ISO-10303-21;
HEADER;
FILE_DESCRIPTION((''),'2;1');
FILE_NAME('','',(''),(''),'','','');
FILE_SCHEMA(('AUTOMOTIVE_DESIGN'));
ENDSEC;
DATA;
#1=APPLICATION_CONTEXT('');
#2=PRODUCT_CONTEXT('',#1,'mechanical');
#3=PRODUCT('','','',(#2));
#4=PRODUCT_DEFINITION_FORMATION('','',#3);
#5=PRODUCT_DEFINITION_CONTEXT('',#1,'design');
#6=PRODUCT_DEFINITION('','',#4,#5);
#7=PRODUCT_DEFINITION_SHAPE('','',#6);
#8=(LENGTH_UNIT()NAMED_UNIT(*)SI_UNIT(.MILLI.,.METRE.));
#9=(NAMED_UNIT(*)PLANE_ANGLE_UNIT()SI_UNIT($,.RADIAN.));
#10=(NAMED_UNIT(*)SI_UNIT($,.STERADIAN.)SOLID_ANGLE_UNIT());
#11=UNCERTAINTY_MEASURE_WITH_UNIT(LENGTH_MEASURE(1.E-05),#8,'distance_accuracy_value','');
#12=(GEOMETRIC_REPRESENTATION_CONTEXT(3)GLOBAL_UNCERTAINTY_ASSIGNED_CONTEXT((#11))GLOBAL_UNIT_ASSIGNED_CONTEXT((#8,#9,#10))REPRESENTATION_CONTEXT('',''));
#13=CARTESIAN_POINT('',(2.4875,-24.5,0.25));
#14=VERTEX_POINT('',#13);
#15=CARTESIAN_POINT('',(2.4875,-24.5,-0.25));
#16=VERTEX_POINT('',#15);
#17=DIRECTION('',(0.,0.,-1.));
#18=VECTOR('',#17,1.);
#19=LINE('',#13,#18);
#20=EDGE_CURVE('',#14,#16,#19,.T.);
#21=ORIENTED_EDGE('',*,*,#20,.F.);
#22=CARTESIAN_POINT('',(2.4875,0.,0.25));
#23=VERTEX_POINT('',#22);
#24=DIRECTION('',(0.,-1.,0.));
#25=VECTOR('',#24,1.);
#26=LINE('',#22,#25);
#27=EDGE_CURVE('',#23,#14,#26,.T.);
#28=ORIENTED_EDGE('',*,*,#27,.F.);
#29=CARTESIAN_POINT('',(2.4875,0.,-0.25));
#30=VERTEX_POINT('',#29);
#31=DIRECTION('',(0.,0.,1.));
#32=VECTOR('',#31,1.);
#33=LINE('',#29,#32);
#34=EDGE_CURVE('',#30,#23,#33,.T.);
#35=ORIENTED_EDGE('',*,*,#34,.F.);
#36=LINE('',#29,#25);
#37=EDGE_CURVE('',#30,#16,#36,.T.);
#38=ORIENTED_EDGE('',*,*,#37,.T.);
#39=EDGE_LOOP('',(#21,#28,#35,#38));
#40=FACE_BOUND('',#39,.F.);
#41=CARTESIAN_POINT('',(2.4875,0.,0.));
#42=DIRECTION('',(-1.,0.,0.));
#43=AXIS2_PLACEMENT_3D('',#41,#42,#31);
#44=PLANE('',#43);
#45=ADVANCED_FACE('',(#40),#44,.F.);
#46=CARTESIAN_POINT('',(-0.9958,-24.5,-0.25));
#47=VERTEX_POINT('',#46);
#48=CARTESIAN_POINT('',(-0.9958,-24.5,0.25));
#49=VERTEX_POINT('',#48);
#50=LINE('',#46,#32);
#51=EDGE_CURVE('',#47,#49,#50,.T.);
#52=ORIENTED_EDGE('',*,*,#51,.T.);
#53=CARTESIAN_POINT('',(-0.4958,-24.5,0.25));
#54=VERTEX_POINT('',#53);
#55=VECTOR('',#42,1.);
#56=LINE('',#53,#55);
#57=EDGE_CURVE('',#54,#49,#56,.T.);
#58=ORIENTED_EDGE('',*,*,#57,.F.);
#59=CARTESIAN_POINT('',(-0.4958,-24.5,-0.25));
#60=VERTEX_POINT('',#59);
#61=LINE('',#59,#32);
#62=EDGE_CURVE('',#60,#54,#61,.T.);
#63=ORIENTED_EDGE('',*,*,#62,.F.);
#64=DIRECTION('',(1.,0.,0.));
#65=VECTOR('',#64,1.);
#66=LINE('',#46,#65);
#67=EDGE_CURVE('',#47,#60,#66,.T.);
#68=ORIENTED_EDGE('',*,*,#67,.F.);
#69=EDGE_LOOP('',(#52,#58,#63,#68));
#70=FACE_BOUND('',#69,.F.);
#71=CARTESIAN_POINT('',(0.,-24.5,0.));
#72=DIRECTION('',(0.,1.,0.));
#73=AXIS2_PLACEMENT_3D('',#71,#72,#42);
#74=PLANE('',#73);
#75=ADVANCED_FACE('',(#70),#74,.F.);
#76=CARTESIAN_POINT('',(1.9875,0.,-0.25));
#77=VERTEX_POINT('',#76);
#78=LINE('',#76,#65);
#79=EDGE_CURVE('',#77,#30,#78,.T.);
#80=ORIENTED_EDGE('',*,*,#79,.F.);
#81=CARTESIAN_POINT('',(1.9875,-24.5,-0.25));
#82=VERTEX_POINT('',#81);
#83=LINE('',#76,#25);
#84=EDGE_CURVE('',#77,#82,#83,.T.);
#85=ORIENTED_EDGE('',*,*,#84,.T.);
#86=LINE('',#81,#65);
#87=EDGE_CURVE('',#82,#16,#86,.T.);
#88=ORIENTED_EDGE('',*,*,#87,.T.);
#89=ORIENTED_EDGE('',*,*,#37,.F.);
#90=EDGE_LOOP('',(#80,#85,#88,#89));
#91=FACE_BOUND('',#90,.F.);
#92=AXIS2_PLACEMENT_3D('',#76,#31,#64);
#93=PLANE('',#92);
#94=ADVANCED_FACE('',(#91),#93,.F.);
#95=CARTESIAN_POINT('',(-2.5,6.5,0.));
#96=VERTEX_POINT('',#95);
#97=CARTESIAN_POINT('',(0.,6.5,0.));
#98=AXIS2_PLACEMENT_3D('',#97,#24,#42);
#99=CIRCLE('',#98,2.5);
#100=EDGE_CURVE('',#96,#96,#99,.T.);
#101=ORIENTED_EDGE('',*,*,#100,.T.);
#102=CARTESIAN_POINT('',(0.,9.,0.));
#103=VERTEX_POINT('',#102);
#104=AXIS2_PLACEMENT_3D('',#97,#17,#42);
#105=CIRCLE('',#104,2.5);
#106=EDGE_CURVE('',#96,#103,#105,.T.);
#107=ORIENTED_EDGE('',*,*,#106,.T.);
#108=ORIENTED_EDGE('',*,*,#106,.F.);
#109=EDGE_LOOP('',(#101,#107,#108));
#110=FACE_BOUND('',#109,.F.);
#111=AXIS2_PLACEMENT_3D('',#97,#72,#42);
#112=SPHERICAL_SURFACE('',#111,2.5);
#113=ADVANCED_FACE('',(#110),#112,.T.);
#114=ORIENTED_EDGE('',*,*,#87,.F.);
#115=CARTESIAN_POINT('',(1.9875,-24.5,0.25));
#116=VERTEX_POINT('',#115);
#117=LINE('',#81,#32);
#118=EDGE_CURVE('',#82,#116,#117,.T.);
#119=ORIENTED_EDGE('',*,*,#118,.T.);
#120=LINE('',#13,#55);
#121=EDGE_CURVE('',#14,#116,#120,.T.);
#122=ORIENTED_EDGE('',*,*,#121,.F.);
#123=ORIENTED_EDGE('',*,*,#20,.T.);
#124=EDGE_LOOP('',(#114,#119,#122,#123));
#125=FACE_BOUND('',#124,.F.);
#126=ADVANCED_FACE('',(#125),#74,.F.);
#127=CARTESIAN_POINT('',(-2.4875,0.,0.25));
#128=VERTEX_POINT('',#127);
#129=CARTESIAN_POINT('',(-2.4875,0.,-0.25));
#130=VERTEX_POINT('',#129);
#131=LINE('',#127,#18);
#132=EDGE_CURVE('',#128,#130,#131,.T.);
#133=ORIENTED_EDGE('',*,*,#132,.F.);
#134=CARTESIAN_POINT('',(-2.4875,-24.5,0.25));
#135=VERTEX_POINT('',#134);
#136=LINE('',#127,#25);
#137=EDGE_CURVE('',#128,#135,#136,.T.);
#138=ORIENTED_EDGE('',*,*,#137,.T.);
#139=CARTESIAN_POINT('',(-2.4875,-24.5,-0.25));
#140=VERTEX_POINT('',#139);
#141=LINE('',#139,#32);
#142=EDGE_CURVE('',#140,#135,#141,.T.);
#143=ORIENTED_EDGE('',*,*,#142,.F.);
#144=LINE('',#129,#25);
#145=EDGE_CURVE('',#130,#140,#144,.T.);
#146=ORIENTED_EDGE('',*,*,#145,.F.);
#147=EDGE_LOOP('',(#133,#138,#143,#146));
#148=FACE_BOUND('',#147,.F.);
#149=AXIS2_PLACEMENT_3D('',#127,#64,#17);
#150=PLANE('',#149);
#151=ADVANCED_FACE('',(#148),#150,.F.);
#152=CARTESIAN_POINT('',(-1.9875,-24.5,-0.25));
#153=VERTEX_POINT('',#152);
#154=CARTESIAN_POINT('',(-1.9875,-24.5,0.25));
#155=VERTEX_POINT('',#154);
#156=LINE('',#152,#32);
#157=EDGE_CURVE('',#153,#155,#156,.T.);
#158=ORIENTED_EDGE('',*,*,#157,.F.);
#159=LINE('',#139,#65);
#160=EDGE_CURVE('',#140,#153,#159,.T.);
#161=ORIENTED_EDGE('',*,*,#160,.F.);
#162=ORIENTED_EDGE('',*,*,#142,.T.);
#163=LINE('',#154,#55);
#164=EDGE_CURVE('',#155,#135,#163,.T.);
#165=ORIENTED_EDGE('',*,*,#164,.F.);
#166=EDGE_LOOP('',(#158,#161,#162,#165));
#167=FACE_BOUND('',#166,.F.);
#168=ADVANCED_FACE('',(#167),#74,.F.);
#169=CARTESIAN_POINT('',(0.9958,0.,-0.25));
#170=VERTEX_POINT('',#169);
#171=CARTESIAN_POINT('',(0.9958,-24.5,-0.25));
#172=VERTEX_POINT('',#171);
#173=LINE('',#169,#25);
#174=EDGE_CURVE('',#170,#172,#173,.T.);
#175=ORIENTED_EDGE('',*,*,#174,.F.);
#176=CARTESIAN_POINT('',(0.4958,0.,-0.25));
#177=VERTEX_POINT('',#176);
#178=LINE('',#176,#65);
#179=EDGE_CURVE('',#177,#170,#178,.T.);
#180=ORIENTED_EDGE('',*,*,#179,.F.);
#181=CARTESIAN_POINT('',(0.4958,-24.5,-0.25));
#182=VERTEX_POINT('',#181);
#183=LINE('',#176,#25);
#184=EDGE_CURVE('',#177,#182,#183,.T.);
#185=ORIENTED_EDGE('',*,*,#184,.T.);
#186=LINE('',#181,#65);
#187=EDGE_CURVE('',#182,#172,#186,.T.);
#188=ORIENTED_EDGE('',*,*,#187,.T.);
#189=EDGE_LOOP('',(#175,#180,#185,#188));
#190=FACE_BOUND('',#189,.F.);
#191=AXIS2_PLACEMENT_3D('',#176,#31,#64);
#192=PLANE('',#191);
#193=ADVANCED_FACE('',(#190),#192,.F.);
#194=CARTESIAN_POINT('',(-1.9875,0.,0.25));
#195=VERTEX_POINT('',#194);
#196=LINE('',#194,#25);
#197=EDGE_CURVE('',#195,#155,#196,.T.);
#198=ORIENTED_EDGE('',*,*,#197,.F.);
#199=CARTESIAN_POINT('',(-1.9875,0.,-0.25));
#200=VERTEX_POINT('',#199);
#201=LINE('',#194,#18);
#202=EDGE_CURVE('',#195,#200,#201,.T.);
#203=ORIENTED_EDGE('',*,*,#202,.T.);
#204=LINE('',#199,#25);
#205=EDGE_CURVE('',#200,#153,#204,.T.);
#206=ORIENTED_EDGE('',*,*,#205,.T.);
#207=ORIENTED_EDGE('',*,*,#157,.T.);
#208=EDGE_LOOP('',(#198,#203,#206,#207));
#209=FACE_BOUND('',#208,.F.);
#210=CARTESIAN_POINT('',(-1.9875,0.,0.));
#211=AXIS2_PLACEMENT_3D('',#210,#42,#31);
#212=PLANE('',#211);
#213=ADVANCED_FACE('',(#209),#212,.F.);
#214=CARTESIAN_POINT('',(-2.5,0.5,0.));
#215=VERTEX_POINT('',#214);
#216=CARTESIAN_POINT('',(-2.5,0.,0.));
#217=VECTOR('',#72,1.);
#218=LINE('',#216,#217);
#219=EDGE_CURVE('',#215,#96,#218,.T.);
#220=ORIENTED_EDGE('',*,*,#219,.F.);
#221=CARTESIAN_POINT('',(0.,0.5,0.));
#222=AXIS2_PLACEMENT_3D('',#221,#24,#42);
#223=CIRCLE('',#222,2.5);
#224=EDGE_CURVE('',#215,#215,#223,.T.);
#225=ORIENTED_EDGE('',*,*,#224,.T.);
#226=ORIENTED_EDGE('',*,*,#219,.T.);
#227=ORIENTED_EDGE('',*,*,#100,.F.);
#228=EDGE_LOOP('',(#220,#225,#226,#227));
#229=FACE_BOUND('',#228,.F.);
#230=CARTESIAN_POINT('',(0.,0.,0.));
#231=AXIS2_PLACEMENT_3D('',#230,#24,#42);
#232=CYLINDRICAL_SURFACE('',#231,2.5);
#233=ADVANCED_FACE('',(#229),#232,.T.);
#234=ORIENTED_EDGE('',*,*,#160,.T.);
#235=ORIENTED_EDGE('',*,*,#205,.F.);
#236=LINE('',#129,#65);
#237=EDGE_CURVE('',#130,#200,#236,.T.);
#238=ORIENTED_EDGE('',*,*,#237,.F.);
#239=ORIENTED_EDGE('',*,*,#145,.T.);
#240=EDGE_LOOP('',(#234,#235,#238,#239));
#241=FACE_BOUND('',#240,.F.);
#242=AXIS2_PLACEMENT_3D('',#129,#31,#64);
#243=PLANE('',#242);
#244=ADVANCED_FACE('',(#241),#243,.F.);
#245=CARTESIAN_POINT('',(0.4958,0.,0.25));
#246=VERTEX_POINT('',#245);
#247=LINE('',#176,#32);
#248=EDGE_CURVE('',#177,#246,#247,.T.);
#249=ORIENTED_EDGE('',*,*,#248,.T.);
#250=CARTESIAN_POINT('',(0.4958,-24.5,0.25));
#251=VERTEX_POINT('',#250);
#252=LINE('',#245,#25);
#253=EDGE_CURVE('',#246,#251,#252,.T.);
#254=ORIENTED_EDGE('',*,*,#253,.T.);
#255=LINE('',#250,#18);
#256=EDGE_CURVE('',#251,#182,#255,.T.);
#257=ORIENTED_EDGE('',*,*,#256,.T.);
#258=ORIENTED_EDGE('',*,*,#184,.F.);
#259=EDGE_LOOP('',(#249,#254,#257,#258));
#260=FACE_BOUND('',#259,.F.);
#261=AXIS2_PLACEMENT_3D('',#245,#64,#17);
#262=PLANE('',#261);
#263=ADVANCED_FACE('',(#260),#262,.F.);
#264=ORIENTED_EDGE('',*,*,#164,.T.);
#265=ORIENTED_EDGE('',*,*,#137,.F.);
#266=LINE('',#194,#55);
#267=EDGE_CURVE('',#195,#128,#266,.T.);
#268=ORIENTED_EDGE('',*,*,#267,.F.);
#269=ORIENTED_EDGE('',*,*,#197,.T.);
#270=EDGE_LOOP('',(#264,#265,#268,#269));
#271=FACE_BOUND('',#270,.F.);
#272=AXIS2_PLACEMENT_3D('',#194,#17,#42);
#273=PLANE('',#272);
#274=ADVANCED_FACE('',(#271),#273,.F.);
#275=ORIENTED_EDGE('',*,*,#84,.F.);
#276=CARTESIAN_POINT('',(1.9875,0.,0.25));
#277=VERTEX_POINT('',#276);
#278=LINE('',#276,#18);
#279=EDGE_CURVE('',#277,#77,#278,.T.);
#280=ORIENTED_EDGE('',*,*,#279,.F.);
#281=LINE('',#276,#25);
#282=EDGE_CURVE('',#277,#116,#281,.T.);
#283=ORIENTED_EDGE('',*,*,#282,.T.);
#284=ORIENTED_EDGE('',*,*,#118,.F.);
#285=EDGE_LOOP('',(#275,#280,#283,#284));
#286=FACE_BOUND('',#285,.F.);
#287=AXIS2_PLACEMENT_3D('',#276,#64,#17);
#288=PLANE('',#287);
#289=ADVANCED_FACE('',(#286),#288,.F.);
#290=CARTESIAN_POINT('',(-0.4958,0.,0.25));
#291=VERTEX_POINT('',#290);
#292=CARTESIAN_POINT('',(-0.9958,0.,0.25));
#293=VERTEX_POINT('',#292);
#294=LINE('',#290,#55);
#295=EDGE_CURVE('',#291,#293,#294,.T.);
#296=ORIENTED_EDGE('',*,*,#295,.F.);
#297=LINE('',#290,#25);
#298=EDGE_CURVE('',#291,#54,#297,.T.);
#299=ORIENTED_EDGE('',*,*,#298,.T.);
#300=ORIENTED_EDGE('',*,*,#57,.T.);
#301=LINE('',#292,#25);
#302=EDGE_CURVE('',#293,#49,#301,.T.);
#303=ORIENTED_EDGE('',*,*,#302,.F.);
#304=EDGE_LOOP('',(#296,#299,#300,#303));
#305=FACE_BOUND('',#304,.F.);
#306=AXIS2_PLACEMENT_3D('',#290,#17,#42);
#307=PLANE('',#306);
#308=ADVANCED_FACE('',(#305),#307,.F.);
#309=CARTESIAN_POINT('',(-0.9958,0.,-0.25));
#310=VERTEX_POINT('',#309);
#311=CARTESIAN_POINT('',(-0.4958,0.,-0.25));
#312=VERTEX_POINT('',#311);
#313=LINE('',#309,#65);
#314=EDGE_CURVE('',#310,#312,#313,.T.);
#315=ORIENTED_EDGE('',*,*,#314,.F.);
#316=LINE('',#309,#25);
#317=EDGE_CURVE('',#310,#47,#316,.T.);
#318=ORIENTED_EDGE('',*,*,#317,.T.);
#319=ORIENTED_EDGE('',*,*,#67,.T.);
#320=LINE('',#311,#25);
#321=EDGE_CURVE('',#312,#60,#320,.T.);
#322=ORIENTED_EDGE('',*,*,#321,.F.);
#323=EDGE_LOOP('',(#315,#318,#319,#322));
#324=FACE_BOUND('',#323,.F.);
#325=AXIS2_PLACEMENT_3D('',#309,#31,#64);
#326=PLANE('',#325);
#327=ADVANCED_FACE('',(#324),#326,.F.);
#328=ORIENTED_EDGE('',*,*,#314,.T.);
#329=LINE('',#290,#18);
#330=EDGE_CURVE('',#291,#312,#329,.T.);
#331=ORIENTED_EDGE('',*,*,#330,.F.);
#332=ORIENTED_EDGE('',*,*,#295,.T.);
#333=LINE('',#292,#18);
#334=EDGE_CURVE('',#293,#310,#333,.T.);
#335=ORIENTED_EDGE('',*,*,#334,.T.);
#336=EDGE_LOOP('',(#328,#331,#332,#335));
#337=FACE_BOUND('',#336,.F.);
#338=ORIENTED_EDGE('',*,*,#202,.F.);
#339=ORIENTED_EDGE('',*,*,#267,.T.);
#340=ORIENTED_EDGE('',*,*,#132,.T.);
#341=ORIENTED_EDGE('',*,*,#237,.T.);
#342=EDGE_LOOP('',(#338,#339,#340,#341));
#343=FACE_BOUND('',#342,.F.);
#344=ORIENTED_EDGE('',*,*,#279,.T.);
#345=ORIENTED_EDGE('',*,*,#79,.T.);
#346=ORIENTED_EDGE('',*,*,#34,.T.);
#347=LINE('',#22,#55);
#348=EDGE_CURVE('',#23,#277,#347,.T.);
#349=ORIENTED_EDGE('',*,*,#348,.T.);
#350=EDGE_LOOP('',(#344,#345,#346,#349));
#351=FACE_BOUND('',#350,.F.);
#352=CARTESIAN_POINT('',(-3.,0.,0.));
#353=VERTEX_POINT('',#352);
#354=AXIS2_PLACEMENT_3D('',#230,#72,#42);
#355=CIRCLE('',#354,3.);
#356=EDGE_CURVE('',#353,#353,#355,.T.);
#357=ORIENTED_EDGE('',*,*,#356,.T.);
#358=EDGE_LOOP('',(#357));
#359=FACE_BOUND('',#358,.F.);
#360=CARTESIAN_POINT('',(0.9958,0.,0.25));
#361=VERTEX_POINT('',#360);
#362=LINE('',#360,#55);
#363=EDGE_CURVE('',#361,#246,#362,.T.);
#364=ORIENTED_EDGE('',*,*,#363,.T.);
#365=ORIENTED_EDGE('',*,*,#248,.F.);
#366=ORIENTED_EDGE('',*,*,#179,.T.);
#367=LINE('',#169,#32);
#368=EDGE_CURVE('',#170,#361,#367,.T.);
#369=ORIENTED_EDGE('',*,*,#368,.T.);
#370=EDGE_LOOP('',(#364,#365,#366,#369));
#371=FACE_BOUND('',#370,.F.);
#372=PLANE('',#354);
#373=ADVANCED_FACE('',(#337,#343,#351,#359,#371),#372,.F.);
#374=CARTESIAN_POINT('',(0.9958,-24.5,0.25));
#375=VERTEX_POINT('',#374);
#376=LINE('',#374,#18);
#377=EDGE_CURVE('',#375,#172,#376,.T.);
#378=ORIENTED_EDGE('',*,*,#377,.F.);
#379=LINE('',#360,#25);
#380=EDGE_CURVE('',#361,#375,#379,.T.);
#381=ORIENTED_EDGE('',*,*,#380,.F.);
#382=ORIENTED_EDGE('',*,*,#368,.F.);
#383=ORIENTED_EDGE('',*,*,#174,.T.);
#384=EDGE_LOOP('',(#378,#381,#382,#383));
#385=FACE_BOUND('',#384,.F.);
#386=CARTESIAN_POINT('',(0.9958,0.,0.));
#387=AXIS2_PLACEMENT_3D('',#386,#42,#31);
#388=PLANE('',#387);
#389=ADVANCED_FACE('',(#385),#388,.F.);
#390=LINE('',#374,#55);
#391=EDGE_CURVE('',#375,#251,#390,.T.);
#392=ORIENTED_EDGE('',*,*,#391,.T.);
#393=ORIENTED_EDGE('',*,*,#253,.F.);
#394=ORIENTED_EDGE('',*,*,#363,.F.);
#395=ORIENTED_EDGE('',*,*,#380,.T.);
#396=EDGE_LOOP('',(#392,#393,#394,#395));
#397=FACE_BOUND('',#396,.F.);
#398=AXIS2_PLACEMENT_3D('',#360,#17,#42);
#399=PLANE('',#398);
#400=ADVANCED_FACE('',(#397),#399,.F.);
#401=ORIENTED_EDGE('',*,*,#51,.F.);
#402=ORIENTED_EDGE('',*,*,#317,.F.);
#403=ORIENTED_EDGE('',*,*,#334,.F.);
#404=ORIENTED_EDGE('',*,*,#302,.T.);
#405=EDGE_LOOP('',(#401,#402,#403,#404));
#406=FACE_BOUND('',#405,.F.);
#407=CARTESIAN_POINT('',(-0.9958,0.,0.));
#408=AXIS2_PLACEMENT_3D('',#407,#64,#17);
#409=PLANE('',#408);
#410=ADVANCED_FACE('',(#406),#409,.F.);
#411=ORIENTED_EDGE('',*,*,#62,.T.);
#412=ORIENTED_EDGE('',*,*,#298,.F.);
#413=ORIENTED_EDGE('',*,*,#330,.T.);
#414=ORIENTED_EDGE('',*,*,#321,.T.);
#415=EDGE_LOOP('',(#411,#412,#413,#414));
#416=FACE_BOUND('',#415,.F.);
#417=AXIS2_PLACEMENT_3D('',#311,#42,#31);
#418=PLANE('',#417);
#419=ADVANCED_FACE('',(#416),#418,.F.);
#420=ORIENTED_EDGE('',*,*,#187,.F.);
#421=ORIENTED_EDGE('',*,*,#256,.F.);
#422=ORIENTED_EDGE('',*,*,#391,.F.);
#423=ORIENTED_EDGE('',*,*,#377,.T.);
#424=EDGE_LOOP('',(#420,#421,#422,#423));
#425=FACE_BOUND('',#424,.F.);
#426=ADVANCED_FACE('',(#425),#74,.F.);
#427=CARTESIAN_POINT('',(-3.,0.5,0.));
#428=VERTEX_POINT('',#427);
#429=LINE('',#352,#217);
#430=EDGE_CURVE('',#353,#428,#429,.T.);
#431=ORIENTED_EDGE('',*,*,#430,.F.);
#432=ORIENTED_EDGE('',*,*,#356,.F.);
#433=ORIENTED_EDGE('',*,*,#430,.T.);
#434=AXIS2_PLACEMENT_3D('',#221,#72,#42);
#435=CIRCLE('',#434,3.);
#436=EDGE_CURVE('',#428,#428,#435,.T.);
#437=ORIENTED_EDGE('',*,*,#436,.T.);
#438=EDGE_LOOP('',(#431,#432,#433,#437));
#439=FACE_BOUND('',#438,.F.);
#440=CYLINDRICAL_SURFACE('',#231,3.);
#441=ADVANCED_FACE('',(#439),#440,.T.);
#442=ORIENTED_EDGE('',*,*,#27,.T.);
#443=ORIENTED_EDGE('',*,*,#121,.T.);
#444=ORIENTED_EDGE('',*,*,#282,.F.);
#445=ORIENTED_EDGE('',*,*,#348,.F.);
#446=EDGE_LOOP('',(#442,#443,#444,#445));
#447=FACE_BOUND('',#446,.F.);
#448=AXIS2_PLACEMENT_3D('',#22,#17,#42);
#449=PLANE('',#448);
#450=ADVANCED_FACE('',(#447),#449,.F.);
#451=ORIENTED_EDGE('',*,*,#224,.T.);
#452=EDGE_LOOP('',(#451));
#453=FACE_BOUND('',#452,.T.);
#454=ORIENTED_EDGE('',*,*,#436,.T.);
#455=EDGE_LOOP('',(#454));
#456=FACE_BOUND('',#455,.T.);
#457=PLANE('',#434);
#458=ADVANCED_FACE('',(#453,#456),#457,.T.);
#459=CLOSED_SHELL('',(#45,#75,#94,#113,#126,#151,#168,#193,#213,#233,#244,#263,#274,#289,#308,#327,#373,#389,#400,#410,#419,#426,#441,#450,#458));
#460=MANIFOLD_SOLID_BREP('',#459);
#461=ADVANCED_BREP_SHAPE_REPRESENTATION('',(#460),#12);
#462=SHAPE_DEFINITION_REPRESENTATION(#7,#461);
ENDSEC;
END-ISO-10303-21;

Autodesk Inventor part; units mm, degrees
ref_plane "YZ Plane" through (0, 0, 0) normal (1, 0, 0) x (0, 1, 0)
ref_plane "XZ Plane" through (0, 0, 0) normal (0, 1, 0) x (-1, 0, 0)
ref_plane "XY Plane" through (0, 0, 0) normal (0, 0, 1) x (1, 0, 0)
sketch "Sketch1" plane through (0, 0, 0) normal (0, 1, 0) x (-1, 0, 0)
  circle A0 centre (0, 0) radius 2.5
  circle A1 centre (0, 0) radius 3
  line L0 (1.9875, 0.25) -> (2.4875, 0.25)
  line L1 (2.4875, 0.25) -> (2.4875, -0.25)
  line L2 (2.4875, -0.25) -> (1.9875, -0.25)
  line L3 (1.9875, -0.25) -> (1.9875, 0.25)
  line L4 (1.9875, 0.25) -> (2.4875, -0.25) construction
  line L5 (2.4875, 0.25) -> (1.9875, -0.25) construction
  line L6 (2.5, 0) -> (-2.5, 0)
  line L7 (0.9958, 0.25) -> (0.9958, -0.25)
  line L8 (0.4958, 0.25) -> (0.9958, 0.25)
  line L9 (0.4958, -0.25) -> (0.4958, 0.25)
  line L10 (0.9958, -0.25) -> (0.4958, -0.25)
  line L11 (0.9958, 0.25) -> (0.4958, -0.25) construction
  line L12 (0.4958, 0.25) -> (0.9958, -0.25) construction
  line L13 (-0.4958, 0.25) -> (-0.4958, -0.25)
  line L14 (-0.9958, 0.25) -> (-0.4958, 0.25)
  line L15 (-0.9958, -0.25) -> (-0.9958, 0.25)
  line L16 (-0.4958, -0.25) -> (-0.9958, -0.25)
  line L17 (-0.4958, 0.25) -> (-0.9958, -0.25) construction
  line L18 (-0.9958, 0.25) -> (-0.4958, -0.25) construction
  line L19 (-1.9875, 0.25) -> (-1.9875, -0.25)
  line L20 (-2.4875, 0.25) -> (-1.9875, 0.25)
  line L21 (-2.4875, -0.25) -> (-2.4875, 0.25)
  line L22 (-1.9875, -0.25) -> (-2.4875, -0.25)
  line L23 (-1.9875, 0.25) -> (-2.4875, -0.25) construction
  line L24 (-2.4875, 0.25) -> (-1.9875, -0.25) construction
  point P0 (1.6583, 2.5)
  point P1 (-1.6583, 2.5)
  point P2 (2.2375, 0)
  point P3 (0.7458, 0)
  point P4 (-0.7458, 0)
  point P5 (-2.2375, 0)
  dimension "d11" = 5
  dimension "d12" = 0.5
  dimension "d22" = 1.4916
extrude "Extrusion3" add sketch "Sketch1" along normal blind 9 contours L6 L1 A0 | A0 L1 L6 | L0 L3 L6 L7 L8 L9 L13 L14 L15 L19 L20 A0 | L1 L6 L3 L0 | L2 L3 L6 L1 | A0 L22 L19 L6 L15 L16 L13 L9 L10 L7 L3 L2 | L21 L6 A0 | L20 L19 L6 L21 | A0 L6 L21 | L21 L6 L19 L22 | L7 L10 L9 L6 | L6 L9 L8 L7 | L15 L14 L13 L6 | L6 L13 L16 L15
extrude "Extrusion4" add sketch "Sketch1" along normal blind 0.5
fillet "Fillet2" radius 2.5 1 edges at (2.5, 9, 0)
extrude "Extrusion5" add sketch "Sketch1" against normal blind 24.5 contours L1 L6 L3 L0 | L2 L3 L6 L1 | L20 L19 L6 L21 | L21 L6 L19 L22 | L7 L10 L9 L6 | L6 L9 L8 L7 | L15 L14 L13 L6 | L6 L13 L16 L15
properties part number "ESP32_C3_SM" material "ABS Plastic"
